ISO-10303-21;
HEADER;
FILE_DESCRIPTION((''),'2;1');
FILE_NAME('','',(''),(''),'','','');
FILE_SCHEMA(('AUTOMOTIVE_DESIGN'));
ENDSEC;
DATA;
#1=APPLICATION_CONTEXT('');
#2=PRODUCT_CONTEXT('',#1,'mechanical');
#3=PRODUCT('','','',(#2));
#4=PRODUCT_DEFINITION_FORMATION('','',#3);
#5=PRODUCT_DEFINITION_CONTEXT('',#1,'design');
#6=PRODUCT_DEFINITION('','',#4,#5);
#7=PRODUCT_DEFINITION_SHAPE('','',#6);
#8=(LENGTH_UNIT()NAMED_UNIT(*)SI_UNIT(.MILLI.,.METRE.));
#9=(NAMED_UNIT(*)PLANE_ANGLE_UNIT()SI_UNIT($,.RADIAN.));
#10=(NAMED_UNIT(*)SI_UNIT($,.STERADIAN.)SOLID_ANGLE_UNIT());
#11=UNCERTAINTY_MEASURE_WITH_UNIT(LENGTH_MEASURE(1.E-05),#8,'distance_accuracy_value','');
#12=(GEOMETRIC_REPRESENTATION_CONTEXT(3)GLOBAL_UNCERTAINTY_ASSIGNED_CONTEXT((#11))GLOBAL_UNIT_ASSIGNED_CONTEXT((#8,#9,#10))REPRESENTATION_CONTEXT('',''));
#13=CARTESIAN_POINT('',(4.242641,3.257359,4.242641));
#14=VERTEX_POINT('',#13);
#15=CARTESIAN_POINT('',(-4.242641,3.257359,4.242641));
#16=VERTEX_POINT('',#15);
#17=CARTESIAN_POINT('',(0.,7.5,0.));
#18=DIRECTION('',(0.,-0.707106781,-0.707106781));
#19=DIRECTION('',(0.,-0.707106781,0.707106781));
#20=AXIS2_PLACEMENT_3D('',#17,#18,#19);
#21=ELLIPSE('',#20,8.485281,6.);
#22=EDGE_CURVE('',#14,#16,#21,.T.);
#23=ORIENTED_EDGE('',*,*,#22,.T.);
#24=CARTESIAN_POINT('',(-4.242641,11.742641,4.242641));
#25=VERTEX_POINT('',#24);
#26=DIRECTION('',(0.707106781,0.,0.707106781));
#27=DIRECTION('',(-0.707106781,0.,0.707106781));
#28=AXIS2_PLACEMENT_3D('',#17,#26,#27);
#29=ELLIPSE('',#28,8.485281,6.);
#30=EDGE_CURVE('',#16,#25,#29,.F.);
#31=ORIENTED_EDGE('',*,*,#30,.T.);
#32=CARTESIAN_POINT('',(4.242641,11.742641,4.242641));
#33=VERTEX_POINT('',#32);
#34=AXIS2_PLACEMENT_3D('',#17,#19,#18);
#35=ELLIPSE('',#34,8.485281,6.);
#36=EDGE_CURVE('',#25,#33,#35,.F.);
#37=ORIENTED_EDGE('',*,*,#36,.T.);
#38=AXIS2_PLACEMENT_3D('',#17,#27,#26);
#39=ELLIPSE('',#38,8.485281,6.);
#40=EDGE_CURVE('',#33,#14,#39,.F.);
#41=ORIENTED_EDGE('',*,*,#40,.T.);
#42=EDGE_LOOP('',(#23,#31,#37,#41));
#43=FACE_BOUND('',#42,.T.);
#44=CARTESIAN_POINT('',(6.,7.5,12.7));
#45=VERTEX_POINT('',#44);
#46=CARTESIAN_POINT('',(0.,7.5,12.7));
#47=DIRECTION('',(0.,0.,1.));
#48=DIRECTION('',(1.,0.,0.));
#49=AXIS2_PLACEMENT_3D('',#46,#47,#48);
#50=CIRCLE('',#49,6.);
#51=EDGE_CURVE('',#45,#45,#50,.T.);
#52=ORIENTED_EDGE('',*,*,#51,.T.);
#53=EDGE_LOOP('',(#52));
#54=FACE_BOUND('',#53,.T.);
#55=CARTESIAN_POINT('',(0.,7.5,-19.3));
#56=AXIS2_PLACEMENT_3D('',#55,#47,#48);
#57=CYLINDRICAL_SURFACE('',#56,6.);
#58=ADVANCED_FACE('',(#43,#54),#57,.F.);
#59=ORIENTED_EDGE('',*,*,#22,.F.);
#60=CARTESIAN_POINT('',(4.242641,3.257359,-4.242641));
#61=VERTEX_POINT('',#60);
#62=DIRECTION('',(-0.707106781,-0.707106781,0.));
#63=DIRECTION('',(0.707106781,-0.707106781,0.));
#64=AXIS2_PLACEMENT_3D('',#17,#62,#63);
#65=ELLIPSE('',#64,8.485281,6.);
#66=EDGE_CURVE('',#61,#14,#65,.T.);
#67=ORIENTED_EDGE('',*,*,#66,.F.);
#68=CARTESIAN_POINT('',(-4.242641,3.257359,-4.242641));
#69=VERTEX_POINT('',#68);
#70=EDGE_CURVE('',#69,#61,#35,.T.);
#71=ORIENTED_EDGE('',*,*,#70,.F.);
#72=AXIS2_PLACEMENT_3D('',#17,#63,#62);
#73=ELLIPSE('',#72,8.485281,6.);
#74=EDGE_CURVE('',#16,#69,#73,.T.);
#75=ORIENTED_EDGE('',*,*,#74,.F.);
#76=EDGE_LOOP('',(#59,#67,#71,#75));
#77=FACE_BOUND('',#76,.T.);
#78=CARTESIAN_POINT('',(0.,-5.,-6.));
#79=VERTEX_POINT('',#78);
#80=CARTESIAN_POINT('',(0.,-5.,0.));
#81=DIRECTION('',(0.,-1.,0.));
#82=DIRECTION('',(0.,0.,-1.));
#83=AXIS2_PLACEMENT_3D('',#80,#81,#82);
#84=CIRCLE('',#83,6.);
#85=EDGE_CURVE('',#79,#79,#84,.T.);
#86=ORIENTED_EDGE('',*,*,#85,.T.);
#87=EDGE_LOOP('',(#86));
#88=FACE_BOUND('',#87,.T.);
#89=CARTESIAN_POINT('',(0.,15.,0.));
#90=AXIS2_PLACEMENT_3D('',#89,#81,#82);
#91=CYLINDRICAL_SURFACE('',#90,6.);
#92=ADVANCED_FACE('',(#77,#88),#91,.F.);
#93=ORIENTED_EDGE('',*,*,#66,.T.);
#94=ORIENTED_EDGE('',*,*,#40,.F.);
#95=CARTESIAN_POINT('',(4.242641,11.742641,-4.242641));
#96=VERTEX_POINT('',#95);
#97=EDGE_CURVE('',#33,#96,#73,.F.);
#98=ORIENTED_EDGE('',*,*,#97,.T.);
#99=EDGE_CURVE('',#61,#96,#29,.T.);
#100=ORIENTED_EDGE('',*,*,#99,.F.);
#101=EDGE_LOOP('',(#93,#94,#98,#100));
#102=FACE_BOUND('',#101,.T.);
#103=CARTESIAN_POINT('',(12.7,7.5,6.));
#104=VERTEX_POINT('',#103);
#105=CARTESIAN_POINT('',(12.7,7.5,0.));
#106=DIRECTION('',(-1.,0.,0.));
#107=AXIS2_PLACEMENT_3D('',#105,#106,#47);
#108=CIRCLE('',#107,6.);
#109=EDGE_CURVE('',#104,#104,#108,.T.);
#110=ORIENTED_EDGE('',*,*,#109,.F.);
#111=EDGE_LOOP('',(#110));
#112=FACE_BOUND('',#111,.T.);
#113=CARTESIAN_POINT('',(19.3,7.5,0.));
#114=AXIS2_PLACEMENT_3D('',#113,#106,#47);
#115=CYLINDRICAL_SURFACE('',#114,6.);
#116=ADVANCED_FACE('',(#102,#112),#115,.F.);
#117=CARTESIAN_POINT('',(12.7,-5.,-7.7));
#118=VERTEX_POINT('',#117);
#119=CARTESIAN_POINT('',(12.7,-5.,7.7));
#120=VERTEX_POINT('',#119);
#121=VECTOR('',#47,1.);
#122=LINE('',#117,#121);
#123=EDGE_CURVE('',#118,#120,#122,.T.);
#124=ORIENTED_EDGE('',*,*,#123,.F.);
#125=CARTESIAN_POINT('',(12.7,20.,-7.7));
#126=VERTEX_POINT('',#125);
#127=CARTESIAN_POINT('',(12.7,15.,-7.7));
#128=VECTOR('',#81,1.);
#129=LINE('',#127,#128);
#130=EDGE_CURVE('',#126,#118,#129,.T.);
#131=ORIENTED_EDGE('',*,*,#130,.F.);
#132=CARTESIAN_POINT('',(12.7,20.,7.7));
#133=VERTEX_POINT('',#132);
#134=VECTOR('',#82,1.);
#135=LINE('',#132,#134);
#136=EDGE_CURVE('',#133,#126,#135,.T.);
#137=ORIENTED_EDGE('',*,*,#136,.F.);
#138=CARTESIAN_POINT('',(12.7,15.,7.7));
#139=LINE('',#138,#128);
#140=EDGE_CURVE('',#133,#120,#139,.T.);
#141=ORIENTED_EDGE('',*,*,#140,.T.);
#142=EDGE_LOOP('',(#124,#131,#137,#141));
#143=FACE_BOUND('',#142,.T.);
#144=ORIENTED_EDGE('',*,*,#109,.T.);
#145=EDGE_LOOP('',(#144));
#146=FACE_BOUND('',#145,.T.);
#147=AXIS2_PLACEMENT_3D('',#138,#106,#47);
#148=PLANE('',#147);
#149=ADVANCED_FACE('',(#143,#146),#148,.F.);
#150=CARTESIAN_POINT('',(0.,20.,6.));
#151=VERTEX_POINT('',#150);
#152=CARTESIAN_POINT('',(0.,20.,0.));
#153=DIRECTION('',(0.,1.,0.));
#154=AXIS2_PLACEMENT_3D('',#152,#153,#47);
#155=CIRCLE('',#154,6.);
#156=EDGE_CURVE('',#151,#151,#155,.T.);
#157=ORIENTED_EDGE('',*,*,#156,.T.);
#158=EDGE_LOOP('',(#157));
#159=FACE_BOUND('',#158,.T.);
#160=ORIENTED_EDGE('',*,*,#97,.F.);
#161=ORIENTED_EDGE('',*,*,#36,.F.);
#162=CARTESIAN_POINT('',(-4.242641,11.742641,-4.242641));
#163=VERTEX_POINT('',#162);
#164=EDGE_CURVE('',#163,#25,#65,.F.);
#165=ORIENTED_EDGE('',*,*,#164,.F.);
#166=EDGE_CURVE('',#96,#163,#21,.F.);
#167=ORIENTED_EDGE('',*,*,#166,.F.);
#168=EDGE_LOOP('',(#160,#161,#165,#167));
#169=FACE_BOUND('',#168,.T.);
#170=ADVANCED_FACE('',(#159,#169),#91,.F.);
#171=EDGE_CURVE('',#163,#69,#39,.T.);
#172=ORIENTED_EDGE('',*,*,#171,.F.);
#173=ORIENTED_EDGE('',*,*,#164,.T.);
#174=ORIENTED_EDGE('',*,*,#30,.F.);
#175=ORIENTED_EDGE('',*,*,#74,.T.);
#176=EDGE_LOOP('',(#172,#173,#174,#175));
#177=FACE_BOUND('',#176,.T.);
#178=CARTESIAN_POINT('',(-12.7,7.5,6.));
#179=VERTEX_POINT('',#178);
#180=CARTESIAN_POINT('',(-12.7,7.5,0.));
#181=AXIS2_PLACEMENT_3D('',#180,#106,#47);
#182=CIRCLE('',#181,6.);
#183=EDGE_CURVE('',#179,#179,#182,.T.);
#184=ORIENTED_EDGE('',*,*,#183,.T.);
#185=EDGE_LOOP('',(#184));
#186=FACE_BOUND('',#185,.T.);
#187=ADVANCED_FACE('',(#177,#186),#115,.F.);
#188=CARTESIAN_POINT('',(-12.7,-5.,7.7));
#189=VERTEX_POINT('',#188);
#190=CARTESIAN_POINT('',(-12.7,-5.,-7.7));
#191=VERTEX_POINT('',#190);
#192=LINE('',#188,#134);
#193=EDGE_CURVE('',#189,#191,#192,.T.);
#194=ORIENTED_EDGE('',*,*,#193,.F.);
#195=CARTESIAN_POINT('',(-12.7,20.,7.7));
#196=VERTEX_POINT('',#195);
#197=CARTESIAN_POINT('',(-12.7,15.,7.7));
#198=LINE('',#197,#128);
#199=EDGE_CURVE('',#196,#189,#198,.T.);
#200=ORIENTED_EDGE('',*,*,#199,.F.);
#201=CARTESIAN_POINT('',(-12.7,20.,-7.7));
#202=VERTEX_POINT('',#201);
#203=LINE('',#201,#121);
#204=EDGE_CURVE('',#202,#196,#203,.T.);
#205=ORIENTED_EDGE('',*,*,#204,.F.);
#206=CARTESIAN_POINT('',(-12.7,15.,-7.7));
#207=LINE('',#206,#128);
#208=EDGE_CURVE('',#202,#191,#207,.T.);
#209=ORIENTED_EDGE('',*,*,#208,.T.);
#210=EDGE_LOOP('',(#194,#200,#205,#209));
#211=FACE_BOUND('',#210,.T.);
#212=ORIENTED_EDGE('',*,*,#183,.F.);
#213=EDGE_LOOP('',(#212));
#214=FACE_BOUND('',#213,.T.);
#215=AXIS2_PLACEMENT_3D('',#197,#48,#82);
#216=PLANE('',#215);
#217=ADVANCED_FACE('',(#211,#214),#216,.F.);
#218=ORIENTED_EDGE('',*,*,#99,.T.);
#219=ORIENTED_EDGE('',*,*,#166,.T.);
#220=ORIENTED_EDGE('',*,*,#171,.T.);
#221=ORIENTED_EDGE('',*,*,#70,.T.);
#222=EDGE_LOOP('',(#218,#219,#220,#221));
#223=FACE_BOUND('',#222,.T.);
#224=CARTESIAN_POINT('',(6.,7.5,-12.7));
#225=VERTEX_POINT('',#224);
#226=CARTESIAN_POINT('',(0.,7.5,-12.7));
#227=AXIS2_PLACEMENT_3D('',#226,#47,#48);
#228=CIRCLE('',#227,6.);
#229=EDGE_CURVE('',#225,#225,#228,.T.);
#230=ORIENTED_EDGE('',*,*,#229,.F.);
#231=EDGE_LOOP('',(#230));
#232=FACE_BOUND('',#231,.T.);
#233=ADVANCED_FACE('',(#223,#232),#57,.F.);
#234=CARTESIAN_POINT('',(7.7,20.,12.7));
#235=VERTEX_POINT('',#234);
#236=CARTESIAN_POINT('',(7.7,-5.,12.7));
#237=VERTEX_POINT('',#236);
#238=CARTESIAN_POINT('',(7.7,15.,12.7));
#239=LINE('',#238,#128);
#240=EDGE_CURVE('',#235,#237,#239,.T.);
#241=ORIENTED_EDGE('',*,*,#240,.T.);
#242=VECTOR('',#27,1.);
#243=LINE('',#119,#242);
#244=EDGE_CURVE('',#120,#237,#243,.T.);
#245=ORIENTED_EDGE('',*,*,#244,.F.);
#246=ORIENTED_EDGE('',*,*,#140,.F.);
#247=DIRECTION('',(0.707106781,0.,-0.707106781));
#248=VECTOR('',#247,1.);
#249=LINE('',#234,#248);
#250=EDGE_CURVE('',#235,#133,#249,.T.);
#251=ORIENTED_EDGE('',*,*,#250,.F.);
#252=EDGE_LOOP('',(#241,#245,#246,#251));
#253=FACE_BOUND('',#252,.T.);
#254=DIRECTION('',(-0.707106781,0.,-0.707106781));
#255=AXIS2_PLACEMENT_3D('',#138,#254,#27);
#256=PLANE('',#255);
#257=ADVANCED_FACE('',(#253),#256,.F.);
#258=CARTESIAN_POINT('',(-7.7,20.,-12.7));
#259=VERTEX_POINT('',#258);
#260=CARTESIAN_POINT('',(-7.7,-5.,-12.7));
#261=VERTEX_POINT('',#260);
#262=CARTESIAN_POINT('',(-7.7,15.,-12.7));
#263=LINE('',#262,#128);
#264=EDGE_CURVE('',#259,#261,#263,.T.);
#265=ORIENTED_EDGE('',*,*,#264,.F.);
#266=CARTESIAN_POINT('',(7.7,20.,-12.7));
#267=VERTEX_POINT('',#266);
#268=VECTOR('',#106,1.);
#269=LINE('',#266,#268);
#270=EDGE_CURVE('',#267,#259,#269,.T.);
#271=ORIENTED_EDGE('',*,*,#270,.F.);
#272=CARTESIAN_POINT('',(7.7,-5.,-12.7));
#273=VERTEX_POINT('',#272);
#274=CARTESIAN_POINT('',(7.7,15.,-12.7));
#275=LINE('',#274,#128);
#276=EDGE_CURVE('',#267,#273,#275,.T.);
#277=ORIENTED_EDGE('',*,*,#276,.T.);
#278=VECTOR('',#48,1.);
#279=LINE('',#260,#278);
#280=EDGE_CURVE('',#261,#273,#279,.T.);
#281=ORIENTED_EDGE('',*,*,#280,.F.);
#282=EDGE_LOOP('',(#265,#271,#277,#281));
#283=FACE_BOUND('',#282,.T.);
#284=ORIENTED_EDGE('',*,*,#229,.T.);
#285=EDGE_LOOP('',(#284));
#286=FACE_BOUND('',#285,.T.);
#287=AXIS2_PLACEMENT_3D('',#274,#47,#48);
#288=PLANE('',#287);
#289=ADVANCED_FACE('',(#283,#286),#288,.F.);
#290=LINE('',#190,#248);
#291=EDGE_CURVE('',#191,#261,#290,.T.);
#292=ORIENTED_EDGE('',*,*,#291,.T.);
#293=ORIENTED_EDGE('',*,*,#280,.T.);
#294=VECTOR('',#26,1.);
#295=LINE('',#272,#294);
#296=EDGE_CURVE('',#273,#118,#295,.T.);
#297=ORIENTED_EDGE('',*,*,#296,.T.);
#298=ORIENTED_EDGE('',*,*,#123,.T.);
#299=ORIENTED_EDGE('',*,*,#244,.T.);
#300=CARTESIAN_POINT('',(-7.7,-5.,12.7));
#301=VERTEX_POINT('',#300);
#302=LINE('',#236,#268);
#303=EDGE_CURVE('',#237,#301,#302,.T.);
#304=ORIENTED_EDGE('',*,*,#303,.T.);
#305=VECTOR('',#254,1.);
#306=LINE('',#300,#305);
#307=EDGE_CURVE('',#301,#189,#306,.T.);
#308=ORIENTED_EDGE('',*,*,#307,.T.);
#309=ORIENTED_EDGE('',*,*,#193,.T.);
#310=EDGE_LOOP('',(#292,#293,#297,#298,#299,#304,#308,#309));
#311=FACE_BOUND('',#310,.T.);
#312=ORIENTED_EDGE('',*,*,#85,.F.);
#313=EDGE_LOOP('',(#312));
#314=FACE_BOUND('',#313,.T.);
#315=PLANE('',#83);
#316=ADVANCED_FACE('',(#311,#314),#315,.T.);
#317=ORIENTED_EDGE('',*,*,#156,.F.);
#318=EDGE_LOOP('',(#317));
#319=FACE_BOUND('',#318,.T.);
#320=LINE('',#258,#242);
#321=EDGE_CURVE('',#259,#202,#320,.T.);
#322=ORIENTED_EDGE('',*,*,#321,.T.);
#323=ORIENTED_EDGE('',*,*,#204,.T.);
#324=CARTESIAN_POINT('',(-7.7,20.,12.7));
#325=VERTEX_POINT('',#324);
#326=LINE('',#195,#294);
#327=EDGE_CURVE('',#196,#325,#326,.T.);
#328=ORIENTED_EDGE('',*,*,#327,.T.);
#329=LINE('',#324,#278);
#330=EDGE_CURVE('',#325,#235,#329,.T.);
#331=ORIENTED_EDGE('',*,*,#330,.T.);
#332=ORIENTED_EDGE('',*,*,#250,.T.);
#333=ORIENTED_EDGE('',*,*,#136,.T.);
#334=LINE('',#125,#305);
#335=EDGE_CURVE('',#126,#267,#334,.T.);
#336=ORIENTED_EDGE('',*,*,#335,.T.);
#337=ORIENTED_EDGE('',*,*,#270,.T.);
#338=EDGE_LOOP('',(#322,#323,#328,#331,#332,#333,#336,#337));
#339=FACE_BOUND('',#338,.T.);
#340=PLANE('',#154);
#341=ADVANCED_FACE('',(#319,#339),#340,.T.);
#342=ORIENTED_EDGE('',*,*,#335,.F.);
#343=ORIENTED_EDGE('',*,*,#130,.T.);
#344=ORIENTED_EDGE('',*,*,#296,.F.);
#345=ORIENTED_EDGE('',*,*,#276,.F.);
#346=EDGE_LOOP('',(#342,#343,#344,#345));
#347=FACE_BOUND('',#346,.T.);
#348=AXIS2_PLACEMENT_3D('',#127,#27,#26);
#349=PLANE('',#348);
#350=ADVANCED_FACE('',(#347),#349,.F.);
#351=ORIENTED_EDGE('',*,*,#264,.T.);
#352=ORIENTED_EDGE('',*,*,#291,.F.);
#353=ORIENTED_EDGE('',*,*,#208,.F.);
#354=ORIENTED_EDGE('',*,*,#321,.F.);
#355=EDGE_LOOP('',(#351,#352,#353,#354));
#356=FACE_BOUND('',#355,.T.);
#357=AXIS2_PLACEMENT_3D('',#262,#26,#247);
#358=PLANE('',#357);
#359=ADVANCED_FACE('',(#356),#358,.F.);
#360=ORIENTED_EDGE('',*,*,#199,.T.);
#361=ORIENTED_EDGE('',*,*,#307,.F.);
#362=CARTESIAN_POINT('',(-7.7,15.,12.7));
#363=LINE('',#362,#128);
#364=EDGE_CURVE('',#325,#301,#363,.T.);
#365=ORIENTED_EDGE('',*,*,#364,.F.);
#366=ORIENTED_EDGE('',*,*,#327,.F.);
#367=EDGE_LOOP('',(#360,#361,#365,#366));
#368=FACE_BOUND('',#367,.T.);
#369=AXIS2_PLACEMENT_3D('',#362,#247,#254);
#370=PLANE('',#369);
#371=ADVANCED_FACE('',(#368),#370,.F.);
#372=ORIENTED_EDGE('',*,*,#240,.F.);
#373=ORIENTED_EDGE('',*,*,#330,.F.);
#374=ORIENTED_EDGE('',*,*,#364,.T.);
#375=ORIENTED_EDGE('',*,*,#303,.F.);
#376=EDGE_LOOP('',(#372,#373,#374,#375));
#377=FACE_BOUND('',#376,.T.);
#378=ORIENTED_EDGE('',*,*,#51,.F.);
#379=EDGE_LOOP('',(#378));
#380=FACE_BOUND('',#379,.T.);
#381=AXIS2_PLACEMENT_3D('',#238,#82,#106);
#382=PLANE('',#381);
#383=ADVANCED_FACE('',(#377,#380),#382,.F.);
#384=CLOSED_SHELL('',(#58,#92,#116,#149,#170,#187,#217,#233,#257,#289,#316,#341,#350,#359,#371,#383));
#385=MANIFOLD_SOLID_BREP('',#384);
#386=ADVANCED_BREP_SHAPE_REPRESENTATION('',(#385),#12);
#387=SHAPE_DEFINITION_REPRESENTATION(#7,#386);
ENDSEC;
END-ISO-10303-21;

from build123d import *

# Parameters (mm, degrees)
SKETCH1_R           = 6
BOSS_EXTRUDE1_DEPTH = 15
SKETCH2_R           = 6
CUT_EXTRUDE1_DEPTH  = 32
SKETCH3_R           = 6
CUT_EXTRUDE2_DEPTH  = 32
BOSS_EXTRUDE2_DEPTH = 5
BOSS_EXTRUDE3_DEPTH = 5
CUT_EXTRUDE3_START  = -31
SKETCH8_R           = 6
CUT_EXTRUDE3_DEPTH  = 31


with BuildPart() as part:
    # Sketch1 → Boss-Extrude1 (new body)
    with BuildSketch(Plane(origin=(0, 0, 0), x_dir=(1, 0, 0), z_dir=(0, 1, 0))):
        Polygon((-7.7, 12.7), (-12.7, 7.7), (-12.7, -7.7), (-7.7, -12.7), (7.7, -12.7), (12.7, -7.7), (12.7, 7.7), (7.7, 12.7), align=None)
        with Locations(Location((0, 0, 0), (0, 0, 270))):
            Circle(SKETCH1_R, mode=Mode.SUBTRACT)
    extrude(amount=BOSS_EXTRUDE1_DEPTH)

    # Sketch2 → Cut-Extrude1 (cut)
    with BuildSketch(Plane.XY.offset(12.7)):
        with Locations((0, 7.5)):
            Circle(SKETCH2_R)
    extrude(amount=-CUT_EXTRUDE1_DEPTH, mode=Mode.SUBTRACT)

    # Sketch3 → Cut-Extrude2 (cut)
    with BuildSketch(Plane.ZY.offset(12.7)):
        with Locations((0, 7.5)):
            Circle(SKETCH3_R)
    extrude(amount=-CUT_EXTRUDE2_DEPTH, mode=Mode.SUBTRACT)

    # Sketch6 → Boss-Extrude2 (add)
    with BuildSketch(Plane(origin=(0, 15, 0), x_dir=(1, 0, 0), z_dir=(0, 1, 0))):
        Polygon((7.7, 12.7), (-7.7, 12.7), (-12.7, 7.7), (-12.7, -7.7), (-7.7, -12.7), (7.7, -12.7), (12.7, -7.7), (12.7, 7.7), align=None)
    extrude(amount=BOSS_EXTRUDE2_DEPTH)

    # Sketch7 → Boss-Extrude3 (add)
    with BuildSketch(Plane.XZ):
        Polygon((-7.7, -12.7), (7.7, -12.7), (12.7, -7.7), (12.7, 7.7), (7.7, 12.7), (-7.7, 12.7), (-12.7, 7.7), (-12.7, -7.7), align=None)
    extrude(amount=BOSS_EXTRUDE3_DEPTH)

    # Sketch8 → Cut-Extrude3 (cut)
    with BuildSketch(Plane(origin=(0, 20, 0), x_dir=(1, 0, 0), z_dir=(0, 1, 0)).offset(CUT_EXTRUDE3_START)):
        with Locations(Location((0, 0, 0), (0, 0, 135))):
            Circle(SKETCH8_R)
    extrude(amount=CUT_EXTRUDE3_DEPTH, mode=Mode.SUBTRACT)


solid = part.part
